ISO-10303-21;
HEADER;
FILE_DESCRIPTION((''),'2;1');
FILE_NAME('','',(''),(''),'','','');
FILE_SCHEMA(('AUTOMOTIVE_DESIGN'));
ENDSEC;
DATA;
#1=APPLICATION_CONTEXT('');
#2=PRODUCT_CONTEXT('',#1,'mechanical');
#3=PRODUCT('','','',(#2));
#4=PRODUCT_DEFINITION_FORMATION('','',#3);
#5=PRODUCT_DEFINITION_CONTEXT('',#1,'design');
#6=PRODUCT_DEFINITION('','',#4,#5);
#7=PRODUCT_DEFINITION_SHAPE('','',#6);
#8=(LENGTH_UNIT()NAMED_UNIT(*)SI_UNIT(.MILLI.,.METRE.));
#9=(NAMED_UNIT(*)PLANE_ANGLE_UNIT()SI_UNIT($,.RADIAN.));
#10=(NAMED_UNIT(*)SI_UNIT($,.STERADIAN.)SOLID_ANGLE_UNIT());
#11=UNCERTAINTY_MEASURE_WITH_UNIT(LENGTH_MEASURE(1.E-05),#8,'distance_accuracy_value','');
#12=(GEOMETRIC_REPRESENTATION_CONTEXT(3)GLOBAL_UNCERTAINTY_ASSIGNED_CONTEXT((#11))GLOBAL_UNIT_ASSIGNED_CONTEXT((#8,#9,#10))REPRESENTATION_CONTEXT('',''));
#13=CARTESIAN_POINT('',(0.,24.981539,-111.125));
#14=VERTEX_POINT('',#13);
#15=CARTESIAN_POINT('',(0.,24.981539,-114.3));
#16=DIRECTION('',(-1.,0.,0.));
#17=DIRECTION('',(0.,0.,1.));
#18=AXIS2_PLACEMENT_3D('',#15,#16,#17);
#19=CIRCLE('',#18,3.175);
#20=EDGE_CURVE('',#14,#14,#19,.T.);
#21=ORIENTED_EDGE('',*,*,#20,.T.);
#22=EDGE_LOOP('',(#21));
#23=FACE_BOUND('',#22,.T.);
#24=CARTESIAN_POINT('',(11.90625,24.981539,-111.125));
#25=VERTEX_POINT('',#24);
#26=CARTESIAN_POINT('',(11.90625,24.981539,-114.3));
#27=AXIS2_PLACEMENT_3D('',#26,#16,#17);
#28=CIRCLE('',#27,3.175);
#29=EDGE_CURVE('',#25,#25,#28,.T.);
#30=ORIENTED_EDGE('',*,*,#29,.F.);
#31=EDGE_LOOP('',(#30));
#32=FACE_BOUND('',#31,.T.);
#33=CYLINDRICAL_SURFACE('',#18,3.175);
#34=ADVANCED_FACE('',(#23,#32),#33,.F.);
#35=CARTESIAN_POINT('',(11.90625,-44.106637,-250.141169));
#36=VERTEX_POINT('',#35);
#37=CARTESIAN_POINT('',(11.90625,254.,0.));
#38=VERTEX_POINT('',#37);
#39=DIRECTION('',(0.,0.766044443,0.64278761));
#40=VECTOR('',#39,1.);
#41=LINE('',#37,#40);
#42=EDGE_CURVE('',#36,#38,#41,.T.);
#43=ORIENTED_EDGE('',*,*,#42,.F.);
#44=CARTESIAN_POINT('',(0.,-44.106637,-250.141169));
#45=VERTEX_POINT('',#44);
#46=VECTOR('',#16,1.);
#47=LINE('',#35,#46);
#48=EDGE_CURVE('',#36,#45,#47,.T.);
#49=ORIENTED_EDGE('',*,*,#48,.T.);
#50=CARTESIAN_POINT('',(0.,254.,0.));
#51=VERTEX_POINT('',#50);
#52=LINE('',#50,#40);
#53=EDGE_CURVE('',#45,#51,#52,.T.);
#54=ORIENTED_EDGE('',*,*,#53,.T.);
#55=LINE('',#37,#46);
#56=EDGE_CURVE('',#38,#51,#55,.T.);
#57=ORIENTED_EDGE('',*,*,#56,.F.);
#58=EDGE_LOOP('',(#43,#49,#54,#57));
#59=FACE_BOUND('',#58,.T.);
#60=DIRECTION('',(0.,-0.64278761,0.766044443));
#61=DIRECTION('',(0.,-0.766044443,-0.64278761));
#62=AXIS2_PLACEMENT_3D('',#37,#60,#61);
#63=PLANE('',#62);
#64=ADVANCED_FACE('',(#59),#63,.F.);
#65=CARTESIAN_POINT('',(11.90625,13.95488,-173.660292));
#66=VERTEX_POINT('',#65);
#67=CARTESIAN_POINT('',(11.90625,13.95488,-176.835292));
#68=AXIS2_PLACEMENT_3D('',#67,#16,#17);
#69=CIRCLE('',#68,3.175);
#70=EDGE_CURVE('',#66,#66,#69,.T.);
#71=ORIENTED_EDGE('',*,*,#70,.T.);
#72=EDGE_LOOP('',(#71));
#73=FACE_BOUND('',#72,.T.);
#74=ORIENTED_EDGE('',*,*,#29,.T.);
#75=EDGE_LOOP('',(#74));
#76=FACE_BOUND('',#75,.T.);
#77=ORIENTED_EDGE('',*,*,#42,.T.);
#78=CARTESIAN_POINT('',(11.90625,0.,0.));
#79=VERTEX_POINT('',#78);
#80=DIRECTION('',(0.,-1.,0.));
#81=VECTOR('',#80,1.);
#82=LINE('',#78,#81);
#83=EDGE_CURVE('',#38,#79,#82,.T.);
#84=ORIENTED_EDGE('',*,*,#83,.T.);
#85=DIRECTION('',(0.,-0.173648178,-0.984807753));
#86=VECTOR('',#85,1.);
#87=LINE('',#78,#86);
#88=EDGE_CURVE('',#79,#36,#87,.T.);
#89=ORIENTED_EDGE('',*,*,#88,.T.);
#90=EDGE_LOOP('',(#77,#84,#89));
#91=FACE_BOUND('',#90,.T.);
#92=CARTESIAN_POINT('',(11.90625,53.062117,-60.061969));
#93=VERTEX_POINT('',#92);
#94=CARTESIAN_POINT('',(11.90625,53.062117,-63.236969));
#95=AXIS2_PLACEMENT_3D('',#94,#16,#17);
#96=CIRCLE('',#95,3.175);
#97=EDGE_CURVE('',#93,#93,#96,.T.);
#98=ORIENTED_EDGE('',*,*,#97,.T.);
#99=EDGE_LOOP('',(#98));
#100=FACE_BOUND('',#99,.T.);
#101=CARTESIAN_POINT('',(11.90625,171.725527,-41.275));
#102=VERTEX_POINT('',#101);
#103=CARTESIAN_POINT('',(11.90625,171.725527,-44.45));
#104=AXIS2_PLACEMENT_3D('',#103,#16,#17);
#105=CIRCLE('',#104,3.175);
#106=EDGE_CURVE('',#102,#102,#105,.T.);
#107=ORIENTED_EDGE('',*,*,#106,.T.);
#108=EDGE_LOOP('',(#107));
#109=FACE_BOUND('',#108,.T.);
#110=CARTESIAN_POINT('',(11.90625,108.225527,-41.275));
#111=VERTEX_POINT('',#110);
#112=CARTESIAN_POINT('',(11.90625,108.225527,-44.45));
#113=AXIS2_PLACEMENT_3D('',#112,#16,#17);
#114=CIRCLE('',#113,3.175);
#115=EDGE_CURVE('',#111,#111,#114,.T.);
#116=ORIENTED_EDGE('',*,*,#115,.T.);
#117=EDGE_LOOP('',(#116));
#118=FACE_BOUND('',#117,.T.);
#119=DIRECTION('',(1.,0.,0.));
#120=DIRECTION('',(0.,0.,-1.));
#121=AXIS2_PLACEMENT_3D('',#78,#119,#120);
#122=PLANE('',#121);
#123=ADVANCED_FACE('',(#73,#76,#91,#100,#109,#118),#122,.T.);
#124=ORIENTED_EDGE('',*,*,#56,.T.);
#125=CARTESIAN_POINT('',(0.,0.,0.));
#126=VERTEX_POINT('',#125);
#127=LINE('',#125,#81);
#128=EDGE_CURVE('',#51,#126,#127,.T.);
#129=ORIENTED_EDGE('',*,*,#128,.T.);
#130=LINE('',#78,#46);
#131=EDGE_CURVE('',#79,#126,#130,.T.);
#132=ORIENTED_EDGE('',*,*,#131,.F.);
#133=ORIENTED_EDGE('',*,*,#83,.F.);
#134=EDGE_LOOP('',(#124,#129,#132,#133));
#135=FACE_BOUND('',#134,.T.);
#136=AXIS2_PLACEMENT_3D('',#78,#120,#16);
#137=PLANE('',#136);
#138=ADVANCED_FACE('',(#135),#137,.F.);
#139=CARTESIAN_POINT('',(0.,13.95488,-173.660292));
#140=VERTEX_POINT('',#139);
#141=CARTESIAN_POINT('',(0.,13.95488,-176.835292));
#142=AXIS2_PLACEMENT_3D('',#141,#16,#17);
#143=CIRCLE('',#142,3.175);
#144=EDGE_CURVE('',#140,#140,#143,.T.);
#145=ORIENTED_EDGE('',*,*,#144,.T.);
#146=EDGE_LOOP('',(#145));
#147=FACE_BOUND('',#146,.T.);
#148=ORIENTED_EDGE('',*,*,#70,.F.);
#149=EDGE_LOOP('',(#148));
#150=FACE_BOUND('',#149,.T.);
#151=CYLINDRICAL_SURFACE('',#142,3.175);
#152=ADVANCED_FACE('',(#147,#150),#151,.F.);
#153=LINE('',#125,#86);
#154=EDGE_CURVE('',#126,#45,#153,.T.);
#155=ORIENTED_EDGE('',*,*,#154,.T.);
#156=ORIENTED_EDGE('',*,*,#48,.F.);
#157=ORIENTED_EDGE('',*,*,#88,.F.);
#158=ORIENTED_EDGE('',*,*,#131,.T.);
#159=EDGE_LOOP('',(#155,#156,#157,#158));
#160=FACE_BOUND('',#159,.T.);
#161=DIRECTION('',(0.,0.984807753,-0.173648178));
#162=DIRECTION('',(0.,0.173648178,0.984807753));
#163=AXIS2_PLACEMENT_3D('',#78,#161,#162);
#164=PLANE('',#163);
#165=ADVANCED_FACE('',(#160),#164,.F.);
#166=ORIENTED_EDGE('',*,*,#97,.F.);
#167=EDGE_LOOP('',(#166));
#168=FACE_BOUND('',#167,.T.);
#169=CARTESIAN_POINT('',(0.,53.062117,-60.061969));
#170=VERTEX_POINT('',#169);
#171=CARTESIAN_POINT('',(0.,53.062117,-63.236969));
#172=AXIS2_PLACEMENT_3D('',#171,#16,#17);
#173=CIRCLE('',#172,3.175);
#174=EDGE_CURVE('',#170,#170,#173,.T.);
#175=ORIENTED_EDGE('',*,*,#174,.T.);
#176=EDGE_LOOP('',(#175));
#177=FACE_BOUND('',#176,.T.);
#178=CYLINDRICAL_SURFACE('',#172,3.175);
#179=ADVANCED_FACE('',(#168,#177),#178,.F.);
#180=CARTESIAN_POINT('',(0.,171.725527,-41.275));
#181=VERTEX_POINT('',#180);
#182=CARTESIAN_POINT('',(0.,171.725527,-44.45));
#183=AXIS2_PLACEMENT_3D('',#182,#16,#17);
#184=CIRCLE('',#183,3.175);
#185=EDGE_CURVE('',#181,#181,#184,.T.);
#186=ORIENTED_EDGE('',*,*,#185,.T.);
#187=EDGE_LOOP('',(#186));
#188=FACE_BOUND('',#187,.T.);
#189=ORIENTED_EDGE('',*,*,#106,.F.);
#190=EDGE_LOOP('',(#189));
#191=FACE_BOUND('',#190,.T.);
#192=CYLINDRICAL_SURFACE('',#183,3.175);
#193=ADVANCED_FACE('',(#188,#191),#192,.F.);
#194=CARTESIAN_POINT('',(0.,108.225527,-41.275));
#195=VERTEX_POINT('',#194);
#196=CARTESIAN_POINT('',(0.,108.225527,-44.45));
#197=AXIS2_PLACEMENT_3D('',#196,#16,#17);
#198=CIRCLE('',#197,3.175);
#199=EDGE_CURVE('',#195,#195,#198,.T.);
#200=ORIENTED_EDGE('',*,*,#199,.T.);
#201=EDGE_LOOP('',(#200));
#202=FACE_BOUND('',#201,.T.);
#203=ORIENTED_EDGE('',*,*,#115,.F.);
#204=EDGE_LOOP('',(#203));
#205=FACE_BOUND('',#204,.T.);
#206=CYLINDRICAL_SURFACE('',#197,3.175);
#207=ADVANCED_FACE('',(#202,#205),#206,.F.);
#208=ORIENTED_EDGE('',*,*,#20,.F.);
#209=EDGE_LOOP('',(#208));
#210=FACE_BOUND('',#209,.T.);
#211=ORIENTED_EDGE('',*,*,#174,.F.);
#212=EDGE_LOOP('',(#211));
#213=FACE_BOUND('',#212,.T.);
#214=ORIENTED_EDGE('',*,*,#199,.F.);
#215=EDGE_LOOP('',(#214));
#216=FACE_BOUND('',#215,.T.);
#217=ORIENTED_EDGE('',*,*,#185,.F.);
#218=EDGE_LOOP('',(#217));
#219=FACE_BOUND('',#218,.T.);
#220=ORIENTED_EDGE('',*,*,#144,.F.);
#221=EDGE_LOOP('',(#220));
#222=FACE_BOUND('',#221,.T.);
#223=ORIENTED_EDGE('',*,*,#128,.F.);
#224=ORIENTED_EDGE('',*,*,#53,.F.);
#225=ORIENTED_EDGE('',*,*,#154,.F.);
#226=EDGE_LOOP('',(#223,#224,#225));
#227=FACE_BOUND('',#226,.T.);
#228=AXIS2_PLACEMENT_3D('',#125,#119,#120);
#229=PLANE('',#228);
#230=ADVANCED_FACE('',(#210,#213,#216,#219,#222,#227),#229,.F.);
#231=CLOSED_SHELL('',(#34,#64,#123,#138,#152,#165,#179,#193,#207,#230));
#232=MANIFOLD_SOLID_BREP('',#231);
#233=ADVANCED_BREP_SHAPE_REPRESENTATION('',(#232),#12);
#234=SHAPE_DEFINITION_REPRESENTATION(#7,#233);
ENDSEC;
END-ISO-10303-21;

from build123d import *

# Parameters (mm, degrees)
BOSS_EXTRUDE1_DEPTH         = 11.90625
F_1_4_0_25_DIAMETER_HOLE1_D = 6.35


with BuildPart() as part:
    # Sketch1 → Boss-Extrude1 (new body)
    with BuildSketch(Plane(origin=(0, 0, 0), x_dir=(0, 0, -1), z_dir=(1, 0, 0))):
        Polygon((0, 0), (0, 254), (250.141169265, -44.106637127), align=None)
    extrude(amount=BOSS_EXTRUDE1_DEPTH)

    # 1/4 (0.25) Diameter Hole1 (through all)
    with Locations(Plane.ZY):
        with Locations((-44.45, 171.725527446), (-44.45, 108.225527446), (-63.236968779, 53.06211718), (-114.3, 24.981539003), (-176.835292316, 13.954879721)):
            Hole(F_1_4_0_25_DIAMETER_HOLE1_D / 2)


solid = part.part
